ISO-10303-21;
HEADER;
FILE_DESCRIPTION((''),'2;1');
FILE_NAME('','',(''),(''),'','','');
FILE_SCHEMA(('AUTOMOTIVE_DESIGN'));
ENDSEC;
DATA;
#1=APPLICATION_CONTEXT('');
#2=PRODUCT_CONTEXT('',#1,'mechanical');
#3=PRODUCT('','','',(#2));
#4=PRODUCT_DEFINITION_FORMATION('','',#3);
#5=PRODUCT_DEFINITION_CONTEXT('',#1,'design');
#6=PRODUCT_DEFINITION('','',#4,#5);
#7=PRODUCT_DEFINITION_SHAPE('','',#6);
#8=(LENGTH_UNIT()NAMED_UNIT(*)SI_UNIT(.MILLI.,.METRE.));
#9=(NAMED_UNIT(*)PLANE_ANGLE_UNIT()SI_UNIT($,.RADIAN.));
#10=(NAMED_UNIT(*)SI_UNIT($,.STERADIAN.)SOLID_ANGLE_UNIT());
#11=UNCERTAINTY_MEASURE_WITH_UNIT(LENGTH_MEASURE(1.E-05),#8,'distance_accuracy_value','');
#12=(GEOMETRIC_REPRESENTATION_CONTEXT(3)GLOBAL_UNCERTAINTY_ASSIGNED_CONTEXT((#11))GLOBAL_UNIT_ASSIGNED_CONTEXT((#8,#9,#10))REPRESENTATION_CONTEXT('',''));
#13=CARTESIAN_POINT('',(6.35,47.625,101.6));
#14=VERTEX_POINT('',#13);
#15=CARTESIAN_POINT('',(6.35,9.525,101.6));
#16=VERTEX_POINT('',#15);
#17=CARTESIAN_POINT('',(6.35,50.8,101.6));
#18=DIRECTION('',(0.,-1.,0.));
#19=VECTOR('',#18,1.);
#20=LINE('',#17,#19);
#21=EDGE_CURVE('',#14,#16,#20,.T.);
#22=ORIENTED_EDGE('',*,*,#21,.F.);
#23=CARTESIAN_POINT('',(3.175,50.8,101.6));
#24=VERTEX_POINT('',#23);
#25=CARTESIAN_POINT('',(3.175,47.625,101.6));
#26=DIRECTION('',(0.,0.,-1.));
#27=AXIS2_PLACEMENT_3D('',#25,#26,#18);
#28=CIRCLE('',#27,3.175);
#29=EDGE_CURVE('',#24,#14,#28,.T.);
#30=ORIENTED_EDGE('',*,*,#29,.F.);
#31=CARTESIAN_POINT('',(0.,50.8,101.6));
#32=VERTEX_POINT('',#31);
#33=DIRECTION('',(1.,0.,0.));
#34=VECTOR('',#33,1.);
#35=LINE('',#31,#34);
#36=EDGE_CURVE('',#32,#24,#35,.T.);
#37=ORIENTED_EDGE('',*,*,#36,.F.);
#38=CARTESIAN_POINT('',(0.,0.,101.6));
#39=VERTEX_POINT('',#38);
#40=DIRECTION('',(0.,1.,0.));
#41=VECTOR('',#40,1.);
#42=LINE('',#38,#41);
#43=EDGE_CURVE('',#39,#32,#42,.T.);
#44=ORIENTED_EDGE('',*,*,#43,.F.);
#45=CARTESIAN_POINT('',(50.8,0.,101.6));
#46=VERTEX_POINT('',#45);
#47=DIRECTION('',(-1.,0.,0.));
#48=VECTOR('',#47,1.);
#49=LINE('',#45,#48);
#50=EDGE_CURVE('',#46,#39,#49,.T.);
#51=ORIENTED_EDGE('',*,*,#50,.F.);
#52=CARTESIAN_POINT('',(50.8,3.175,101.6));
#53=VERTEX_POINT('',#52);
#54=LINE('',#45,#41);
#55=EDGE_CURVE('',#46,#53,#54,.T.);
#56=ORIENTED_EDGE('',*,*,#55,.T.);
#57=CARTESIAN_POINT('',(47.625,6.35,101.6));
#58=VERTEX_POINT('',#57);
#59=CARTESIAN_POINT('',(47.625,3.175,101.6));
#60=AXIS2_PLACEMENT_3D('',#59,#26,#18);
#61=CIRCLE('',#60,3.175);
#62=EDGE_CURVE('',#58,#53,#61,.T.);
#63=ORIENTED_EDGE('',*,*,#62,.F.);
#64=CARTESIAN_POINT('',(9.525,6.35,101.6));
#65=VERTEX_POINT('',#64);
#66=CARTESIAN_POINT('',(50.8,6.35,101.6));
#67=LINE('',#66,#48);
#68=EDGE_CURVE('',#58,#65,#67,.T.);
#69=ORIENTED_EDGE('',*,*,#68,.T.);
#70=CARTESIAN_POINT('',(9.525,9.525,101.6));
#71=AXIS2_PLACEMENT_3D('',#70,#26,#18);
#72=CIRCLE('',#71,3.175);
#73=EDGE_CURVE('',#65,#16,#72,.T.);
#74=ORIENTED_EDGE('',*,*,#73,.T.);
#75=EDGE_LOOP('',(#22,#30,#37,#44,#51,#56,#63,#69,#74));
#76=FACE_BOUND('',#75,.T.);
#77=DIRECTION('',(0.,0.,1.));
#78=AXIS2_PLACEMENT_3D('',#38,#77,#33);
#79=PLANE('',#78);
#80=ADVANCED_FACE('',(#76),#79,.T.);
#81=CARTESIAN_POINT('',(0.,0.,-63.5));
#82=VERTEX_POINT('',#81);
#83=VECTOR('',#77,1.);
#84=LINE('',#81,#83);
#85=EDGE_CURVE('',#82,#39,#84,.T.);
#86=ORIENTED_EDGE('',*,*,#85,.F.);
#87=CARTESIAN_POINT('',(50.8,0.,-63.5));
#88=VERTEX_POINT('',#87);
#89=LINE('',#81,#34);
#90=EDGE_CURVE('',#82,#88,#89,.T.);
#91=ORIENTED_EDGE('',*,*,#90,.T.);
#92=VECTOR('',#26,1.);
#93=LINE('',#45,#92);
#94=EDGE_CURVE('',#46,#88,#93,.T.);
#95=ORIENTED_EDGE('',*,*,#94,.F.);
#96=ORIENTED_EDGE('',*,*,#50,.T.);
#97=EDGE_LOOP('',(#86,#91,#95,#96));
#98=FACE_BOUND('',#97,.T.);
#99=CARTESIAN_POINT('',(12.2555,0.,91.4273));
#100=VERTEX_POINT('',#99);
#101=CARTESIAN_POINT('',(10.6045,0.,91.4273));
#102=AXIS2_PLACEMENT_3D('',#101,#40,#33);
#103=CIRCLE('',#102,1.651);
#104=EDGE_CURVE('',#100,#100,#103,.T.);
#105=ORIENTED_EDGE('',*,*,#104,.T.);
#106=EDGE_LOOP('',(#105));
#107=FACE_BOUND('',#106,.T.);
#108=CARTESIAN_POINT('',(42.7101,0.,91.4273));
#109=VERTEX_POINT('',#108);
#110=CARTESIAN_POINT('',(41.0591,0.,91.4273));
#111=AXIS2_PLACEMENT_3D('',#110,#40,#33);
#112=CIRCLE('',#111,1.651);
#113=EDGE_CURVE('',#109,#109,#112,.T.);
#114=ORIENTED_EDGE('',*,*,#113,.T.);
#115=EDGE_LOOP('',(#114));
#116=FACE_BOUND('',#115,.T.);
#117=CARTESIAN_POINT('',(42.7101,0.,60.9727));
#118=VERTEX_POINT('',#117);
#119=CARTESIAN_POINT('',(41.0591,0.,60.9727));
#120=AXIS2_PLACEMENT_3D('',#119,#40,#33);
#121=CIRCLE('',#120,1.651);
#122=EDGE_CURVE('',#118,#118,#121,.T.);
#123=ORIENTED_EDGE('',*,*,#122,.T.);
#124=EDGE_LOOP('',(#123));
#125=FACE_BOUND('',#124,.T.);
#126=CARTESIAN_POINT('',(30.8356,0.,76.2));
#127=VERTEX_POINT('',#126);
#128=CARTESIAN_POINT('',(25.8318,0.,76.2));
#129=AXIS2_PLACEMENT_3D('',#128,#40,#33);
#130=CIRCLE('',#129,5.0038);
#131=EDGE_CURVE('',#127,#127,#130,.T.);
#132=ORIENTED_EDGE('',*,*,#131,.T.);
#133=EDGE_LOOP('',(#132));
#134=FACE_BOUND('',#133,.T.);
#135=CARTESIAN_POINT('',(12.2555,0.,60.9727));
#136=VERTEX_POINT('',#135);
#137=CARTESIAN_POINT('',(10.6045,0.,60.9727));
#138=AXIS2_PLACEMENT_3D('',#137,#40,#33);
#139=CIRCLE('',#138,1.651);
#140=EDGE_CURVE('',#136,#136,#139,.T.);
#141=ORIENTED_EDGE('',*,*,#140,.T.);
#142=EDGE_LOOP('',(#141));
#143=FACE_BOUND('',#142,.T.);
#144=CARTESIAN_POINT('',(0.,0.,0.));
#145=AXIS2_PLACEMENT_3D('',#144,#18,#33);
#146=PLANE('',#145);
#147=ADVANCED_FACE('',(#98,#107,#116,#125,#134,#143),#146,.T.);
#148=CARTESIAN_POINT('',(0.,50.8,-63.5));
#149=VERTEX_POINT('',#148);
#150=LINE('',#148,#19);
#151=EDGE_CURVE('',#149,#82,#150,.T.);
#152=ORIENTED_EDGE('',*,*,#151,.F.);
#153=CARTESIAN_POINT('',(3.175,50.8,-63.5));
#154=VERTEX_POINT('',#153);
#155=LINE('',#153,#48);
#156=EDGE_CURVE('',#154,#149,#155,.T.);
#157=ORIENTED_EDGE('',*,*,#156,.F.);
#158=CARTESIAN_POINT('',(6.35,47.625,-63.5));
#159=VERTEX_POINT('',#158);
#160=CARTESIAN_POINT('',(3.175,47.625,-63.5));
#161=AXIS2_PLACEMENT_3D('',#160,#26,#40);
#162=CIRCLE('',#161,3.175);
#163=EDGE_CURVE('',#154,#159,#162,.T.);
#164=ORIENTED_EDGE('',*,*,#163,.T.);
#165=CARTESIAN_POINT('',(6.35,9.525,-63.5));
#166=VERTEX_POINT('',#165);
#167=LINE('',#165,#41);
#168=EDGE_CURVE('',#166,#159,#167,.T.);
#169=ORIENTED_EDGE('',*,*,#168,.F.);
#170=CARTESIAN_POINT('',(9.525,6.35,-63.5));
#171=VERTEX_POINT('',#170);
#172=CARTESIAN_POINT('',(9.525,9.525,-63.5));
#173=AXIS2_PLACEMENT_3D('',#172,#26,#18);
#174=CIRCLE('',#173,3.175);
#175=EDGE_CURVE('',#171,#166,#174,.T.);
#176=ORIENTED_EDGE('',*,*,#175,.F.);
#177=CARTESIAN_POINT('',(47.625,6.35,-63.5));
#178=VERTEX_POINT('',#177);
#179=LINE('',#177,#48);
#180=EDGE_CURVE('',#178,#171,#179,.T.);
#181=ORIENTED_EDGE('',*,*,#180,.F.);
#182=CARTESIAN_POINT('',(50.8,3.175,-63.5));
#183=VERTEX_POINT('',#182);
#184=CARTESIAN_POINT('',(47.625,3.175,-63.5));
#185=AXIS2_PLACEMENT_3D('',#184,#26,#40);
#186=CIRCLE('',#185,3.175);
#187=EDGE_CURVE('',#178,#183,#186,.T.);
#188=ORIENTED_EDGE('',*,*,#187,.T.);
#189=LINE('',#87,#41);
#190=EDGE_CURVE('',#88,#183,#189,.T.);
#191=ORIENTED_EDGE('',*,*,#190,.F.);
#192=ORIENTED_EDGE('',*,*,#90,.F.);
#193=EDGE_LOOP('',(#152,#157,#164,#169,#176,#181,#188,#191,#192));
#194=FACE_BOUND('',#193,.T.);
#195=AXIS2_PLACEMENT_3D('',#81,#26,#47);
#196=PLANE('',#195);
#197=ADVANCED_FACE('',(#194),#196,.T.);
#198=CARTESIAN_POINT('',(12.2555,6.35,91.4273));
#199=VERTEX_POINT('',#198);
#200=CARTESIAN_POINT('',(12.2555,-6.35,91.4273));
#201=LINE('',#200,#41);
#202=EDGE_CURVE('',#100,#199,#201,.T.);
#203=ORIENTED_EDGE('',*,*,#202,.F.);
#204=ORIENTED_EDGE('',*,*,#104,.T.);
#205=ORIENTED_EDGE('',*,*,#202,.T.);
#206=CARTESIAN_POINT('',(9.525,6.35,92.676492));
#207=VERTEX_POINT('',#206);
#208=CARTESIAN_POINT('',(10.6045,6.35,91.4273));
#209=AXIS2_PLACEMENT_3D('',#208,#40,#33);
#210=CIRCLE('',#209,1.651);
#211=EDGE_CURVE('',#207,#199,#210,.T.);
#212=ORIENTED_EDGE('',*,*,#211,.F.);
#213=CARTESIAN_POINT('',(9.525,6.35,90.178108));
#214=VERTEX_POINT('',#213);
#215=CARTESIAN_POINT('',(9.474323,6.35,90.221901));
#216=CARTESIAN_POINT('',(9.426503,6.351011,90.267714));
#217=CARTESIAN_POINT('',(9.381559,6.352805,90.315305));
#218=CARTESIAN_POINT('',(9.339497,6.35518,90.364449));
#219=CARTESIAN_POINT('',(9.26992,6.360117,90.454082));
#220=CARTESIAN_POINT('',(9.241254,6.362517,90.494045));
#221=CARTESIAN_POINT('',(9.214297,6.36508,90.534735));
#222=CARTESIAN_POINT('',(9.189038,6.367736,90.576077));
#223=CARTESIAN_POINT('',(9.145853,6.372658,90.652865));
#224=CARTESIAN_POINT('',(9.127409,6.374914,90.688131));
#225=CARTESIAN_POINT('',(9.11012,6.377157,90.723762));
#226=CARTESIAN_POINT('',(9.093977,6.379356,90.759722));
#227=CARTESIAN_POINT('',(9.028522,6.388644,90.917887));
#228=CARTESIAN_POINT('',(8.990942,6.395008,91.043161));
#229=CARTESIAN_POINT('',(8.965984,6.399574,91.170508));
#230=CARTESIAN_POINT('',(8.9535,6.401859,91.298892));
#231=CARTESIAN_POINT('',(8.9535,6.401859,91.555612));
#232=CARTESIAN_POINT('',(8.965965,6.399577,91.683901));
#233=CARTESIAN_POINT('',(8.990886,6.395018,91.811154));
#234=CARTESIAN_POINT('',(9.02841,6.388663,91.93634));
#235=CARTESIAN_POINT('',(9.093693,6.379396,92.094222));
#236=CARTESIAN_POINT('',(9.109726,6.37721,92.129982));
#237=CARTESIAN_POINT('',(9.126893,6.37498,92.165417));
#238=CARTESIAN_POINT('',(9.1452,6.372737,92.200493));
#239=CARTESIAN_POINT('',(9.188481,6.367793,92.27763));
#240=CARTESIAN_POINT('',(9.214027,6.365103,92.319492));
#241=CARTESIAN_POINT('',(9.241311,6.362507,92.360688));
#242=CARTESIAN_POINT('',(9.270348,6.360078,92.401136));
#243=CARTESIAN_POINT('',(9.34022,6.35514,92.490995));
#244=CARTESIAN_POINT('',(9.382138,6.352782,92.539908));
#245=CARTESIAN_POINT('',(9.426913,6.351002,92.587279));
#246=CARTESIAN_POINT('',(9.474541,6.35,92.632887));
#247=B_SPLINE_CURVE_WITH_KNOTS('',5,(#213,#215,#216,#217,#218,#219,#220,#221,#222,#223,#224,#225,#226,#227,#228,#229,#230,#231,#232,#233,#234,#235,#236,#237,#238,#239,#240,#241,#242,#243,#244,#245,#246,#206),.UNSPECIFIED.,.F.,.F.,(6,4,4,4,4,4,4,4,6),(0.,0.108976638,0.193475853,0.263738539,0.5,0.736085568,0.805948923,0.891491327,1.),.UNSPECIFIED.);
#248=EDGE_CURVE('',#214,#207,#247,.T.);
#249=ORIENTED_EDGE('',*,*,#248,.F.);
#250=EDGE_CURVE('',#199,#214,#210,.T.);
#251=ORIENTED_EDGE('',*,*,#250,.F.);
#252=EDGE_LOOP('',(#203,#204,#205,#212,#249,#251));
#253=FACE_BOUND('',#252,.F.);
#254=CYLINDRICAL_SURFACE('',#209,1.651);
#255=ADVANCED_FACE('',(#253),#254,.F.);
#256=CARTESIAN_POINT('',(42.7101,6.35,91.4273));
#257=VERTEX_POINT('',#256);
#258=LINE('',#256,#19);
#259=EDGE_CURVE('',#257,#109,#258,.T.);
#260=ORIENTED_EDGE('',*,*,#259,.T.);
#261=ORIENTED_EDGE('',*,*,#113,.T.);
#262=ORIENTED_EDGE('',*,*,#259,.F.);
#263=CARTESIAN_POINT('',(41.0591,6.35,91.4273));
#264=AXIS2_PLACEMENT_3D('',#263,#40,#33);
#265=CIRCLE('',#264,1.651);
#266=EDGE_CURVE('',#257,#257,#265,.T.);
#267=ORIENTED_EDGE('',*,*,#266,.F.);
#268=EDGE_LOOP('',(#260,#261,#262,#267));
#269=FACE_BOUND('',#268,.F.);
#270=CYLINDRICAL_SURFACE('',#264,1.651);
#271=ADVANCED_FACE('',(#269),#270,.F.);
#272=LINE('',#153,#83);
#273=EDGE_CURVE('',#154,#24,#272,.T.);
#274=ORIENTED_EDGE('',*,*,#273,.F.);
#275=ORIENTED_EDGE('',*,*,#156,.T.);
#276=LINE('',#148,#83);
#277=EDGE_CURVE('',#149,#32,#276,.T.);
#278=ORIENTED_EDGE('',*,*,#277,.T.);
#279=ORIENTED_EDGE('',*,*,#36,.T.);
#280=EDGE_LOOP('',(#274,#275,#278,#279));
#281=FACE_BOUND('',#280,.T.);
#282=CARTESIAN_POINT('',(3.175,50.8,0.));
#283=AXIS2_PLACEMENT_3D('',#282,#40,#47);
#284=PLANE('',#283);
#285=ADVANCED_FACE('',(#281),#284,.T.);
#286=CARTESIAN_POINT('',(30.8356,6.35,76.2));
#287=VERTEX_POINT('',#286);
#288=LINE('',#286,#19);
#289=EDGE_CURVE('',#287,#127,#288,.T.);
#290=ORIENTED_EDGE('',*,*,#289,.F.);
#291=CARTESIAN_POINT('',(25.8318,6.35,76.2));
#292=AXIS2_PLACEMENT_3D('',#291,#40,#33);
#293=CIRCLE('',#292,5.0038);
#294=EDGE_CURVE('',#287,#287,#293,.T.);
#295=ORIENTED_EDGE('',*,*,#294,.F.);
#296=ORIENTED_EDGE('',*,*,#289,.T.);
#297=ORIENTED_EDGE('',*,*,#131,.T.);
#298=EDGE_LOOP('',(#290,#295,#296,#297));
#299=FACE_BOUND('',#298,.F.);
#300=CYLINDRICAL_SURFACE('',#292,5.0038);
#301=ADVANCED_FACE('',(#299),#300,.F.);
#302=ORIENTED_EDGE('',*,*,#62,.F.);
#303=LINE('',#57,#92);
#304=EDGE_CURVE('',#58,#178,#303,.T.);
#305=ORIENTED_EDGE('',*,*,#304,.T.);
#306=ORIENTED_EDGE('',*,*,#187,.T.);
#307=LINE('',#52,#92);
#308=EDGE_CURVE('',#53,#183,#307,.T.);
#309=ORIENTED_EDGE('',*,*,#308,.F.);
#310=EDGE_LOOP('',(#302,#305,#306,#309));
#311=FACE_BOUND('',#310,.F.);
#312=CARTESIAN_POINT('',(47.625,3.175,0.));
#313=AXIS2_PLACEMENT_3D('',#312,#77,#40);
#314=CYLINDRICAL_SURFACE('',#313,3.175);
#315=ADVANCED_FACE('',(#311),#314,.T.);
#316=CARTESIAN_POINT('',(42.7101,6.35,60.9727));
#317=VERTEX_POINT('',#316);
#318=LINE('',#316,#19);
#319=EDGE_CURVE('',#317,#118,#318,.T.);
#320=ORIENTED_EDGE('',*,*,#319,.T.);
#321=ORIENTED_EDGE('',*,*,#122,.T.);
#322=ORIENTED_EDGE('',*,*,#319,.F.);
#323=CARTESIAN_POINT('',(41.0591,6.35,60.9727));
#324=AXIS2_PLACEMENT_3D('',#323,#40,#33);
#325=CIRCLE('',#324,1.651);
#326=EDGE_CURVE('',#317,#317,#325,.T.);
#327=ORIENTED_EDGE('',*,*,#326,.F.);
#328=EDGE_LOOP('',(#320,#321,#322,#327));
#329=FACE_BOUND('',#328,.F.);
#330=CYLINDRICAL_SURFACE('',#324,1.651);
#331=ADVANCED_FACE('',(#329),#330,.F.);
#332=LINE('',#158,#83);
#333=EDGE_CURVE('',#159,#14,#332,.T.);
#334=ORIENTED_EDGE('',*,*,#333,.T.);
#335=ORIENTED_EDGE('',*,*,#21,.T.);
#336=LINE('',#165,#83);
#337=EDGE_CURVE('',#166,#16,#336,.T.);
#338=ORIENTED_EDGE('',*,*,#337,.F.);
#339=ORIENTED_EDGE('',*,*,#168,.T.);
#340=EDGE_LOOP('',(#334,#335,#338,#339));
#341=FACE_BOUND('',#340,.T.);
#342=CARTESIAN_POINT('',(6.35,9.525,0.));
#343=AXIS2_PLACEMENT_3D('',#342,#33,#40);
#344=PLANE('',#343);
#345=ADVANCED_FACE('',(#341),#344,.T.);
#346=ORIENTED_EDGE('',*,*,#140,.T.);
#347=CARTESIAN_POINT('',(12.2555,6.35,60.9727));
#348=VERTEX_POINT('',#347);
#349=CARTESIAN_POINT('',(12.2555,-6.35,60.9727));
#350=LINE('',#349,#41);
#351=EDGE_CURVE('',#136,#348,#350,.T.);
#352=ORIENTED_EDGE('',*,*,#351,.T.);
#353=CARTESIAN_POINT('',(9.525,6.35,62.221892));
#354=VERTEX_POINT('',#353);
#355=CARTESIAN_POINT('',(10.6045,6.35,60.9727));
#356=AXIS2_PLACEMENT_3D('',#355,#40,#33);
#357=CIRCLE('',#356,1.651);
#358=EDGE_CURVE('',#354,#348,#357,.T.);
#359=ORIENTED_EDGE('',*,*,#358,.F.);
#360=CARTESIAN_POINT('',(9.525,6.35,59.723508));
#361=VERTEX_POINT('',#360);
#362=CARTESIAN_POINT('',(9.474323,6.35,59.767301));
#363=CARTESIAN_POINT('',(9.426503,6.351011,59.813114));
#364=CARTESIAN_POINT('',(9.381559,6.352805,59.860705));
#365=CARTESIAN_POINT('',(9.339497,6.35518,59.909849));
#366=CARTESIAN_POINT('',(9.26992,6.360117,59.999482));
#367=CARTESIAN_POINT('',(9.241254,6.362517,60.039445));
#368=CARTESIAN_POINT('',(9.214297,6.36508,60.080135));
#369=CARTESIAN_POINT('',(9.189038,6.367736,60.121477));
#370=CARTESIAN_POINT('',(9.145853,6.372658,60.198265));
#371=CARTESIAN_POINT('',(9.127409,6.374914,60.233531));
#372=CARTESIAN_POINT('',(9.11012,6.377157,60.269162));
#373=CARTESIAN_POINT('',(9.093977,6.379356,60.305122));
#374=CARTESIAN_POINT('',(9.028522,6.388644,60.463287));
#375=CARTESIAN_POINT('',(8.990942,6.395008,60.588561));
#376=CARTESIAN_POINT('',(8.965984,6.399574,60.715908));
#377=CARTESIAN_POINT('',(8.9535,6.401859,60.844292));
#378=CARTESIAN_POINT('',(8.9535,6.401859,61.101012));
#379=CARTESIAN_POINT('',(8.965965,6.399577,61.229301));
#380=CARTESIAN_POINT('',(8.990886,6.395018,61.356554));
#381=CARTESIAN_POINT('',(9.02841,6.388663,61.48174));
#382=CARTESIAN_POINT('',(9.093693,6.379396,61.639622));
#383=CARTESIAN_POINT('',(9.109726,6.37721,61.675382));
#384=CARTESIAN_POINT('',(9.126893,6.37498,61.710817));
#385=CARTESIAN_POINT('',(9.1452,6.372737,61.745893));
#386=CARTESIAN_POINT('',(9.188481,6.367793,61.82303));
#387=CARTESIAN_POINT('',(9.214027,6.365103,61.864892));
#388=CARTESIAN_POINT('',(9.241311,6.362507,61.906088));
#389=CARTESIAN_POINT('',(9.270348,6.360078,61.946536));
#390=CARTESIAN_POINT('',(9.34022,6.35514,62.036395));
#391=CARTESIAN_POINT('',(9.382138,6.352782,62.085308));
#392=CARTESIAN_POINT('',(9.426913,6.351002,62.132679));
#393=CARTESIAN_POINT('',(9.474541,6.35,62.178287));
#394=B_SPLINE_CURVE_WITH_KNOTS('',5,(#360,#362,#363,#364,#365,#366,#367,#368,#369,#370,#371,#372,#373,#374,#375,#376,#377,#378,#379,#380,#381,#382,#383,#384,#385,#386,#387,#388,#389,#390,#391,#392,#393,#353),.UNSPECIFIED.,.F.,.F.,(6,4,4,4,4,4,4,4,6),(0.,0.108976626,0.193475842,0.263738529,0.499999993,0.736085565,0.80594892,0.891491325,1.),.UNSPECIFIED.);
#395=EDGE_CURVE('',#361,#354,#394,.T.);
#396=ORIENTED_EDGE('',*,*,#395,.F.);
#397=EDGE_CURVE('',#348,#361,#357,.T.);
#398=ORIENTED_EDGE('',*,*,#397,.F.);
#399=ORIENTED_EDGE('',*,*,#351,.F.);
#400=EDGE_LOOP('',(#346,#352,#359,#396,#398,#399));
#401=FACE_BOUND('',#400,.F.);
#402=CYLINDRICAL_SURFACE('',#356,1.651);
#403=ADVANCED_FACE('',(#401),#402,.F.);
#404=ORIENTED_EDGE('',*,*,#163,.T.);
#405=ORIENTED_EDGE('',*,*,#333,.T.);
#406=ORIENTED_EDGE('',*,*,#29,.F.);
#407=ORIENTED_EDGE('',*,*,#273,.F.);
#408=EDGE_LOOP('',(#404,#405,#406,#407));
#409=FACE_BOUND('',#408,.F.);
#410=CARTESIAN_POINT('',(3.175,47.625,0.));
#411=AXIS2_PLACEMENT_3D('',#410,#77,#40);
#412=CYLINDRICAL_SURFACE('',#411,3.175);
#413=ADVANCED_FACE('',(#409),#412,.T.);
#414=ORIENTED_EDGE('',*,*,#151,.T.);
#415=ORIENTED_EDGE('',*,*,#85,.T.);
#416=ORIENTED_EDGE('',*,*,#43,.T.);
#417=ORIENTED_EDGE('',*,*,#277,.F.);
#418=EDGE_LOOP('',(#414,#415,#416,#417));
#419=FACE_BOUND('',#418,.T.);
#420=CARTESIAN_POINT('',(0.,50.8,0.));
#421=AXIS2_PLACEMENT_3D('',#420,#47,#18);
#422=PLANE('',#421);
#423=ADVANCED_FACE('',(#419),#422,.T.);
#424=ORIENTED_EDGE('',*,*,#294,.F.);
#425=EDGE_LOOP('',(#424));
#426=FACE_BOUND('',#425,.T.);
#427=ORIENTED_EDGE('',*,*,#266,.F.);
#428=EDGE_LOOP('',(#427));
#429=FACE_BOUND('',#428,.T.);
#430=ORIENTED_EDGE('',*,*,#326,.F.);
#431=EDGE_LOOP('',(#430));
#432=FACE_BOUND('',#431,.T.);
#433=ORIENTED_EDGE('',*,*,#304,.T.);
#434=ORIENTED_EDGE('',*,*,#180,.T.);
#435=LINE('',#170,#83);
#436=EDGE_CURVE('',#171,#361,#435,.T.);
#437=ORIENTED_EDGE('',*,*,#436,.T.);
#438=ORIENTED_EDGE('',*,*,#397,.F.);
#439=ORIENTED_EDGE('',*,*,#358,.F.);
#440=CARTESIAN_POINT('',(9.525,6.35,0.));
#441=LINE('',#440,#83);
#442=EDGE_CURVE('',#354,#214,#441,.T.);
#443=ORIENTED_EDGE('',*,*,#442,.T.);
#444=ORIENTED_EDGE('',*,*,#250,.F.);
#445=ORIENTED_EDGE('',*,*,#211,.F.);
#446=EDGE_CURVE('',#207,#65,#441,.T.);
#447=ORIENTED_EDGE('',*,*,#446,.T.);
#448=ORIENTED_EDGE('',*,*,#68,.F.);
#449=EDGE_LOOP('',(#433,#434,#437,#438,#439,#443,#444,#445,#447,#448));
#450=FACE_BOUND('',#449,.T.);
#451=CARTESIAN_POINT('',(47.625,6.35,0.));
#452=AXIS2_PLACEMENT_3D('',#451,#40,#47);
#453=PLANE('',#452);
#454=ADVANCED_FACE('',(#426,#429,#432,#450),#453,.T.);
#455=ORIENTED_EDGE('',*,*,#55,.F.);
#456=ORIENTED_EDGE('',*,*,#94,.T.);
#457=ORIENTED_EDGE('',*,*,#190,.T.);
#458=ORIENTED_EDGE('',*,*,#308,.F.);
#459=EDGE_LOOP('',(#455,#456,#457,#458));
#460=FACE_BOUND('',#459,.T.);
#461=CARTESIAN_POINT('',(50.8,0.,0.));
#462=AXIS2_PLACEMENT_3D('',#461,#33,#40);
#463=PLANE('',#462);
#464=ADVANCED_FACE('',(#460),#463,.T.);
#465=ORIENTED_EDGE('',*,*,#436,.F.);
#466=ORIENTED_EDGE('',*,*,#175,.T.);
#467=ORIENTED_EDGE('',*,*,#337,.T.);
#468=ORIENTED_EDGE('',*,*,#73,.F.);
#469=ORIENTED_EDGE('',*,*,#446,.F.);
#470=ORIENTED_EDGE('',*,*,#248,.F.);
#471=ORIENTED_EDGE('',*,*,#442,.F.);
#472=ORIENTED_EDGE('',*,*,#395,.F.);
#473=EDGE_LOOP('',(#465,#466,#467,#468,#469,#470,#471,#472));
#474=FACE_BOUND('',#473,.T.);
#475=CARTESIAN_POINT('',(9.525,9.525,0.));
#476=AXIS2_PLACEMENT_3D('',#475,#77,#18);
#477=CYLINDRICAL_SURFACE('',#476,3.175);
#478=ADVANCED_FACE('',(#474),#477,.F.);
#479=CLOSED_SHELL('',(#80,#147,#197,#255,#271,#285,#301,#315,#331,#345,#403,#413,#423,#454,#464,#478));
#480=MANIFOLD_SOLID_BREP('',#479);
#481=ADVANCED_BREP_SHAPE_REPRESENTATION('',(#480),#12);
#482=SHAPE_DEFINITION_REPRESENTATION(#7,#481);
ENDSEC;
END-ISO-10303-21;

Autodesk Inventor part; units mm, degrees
ref_plane "YZ Plane" through (0, 0, 0) normal (1, 0, 0) x (0, 1, 0)
ref_plane "XZ Plane" through (0, 0, 0) normal (0, 1, 0) x (-1, 0, 0)
ref_plane "XY Plane" through (0, 0, 0) normal (0, 0, 1) x (1, 0, 0)
sketch "Sketch1" plane through (0, 0, 0) normal (0, 0, 1) x (1, 0, 0)
  line L0 (0, 0) -> (0, 50.8)
  line L1 (0, 0) -> (50.8, 0)
  line L2 (0, 50.8) -> (6.35, 50.8)
  line L3 (6.35, 50.8) -> (6.35, 0)
  line L4 (6.35, 0) -> (0, 0)
  line L5 (0, 0) -> (0, 50.8)
  line L6 (0, 0) -> (50.8, 0)
  line L7 (50.8, 0) -> (50.8, 6.35)
  line L8 (50.8, 6.35) -> (0, 6.35)
  line L9 (0, 6.35) -> (0, 0)
  dimension "d0" = 50.8
  dimension "d1" = 50.8
  dimension "d2" = 6.35
  dimension "d3" = 6.35
extrude "Extrusion1" add sketch "Sketch1" along normal blind 101.6
fillet "Fillet1" radius 3.175 1 edges at (6.35, 50.8, 50.8)
fillet "Fillet2" radius 3.175 1 edges at (50.8, 6.35, 50.8)
fillet "Fillet3" radius 3.175 1 edges at (6.35, 6.35, 50.8)
sketch "Sketch2" plane through (47.625, 6.35, 101.6) normal (0, 1, 0) x (1, 0, 0)
  circle A0 centre (-21.7932, 25.4) radius 5.0038
  line L0 (-47.625, 50.8) -> (-47.625, 101.6)
  line L1 (-47.625, 101.6) -> (-73.025, 101.6)
  line L2 (-73.025, 101.6) -> (-73.025, 0)
  line L3 (-73.025, 0) -> (3.6068, 0)
  line L4 (3.6068, 0) -> (3.6068, 50.8)
  line L5 (3.6068, 50.8) -> (-45.308, 50.8)
  line L6 (-45.308, 101.6) -> (-45.308, 50.8)
  line L7 (-45.4152, 101.6) -> (-45.308, 101.6)
  line L8 (-45.4152, 50.8) -> (-45.4152, 101.6)
  line L9 (-45.4152, 50.8) -> (-47.5178, 50.8)
  line L10 (-47.5178, 50.8) -> (-47.625, 50.8)
  circle A1 centre (-6.5659, 40.6273) radius 1.651
  circle A2 centre (-6.5659, 10.1727) radius 1.651
  circle A3 centre (-37.0205, 10.1727) radius 1.651
  circle A4 centre (-37.0205, 40.6273) radius 1.651
  line L11 (-38.1, 0) -> (-38.1, 101.6)
  line L12 (0, 0) -> (-38.1, 0)
  line L13 (0, 101.6) -> (0, 0)
  line L14 (0, 101.6) -> (-38.1, 101.6)
extrude "Extrusion2" cut sketch "Sketch2" along normal mid plane 25.4 contours A0 | L11 A3 | A3 L11 | L11 A4 | A4 L11 | A1 | A2
sketch "Sketch3" plane through (0, 0, 0) normal (0, 0, -1) x (-1, 0, 0)
  arc A0 (-47.625, 6.35) -> (-50.8, 3.175) centre (-47.625, 3.175) ccw
  line L0 (-50.8, 0) -> (-50.8, 3.175)
  line L1 (0, 0) -> (-50.8, 0)
  line L2 (0, 50.8) -> (0, 0)
  line L3 (-3.175, 50.8) -> (0, 50.8)
  arc A1 (-3.175, 50.8) -> (-6.35, 47.625) centre (-3.175, 47.625) ccw
  line L4 (-6.35, 9.525) -> (-6.35, 47.625)
  arc A2 (-9.525, 6.35) -> (-6.35, 9.525) centre (-9.525, 9.525) ccw
  line L5 (-47.625, 6.35) -> (-9.525, 6.35)
extrude "Extrusion3" add sketch "Sketch3" along normal blind 63.5
properties part number "L beam concept"
